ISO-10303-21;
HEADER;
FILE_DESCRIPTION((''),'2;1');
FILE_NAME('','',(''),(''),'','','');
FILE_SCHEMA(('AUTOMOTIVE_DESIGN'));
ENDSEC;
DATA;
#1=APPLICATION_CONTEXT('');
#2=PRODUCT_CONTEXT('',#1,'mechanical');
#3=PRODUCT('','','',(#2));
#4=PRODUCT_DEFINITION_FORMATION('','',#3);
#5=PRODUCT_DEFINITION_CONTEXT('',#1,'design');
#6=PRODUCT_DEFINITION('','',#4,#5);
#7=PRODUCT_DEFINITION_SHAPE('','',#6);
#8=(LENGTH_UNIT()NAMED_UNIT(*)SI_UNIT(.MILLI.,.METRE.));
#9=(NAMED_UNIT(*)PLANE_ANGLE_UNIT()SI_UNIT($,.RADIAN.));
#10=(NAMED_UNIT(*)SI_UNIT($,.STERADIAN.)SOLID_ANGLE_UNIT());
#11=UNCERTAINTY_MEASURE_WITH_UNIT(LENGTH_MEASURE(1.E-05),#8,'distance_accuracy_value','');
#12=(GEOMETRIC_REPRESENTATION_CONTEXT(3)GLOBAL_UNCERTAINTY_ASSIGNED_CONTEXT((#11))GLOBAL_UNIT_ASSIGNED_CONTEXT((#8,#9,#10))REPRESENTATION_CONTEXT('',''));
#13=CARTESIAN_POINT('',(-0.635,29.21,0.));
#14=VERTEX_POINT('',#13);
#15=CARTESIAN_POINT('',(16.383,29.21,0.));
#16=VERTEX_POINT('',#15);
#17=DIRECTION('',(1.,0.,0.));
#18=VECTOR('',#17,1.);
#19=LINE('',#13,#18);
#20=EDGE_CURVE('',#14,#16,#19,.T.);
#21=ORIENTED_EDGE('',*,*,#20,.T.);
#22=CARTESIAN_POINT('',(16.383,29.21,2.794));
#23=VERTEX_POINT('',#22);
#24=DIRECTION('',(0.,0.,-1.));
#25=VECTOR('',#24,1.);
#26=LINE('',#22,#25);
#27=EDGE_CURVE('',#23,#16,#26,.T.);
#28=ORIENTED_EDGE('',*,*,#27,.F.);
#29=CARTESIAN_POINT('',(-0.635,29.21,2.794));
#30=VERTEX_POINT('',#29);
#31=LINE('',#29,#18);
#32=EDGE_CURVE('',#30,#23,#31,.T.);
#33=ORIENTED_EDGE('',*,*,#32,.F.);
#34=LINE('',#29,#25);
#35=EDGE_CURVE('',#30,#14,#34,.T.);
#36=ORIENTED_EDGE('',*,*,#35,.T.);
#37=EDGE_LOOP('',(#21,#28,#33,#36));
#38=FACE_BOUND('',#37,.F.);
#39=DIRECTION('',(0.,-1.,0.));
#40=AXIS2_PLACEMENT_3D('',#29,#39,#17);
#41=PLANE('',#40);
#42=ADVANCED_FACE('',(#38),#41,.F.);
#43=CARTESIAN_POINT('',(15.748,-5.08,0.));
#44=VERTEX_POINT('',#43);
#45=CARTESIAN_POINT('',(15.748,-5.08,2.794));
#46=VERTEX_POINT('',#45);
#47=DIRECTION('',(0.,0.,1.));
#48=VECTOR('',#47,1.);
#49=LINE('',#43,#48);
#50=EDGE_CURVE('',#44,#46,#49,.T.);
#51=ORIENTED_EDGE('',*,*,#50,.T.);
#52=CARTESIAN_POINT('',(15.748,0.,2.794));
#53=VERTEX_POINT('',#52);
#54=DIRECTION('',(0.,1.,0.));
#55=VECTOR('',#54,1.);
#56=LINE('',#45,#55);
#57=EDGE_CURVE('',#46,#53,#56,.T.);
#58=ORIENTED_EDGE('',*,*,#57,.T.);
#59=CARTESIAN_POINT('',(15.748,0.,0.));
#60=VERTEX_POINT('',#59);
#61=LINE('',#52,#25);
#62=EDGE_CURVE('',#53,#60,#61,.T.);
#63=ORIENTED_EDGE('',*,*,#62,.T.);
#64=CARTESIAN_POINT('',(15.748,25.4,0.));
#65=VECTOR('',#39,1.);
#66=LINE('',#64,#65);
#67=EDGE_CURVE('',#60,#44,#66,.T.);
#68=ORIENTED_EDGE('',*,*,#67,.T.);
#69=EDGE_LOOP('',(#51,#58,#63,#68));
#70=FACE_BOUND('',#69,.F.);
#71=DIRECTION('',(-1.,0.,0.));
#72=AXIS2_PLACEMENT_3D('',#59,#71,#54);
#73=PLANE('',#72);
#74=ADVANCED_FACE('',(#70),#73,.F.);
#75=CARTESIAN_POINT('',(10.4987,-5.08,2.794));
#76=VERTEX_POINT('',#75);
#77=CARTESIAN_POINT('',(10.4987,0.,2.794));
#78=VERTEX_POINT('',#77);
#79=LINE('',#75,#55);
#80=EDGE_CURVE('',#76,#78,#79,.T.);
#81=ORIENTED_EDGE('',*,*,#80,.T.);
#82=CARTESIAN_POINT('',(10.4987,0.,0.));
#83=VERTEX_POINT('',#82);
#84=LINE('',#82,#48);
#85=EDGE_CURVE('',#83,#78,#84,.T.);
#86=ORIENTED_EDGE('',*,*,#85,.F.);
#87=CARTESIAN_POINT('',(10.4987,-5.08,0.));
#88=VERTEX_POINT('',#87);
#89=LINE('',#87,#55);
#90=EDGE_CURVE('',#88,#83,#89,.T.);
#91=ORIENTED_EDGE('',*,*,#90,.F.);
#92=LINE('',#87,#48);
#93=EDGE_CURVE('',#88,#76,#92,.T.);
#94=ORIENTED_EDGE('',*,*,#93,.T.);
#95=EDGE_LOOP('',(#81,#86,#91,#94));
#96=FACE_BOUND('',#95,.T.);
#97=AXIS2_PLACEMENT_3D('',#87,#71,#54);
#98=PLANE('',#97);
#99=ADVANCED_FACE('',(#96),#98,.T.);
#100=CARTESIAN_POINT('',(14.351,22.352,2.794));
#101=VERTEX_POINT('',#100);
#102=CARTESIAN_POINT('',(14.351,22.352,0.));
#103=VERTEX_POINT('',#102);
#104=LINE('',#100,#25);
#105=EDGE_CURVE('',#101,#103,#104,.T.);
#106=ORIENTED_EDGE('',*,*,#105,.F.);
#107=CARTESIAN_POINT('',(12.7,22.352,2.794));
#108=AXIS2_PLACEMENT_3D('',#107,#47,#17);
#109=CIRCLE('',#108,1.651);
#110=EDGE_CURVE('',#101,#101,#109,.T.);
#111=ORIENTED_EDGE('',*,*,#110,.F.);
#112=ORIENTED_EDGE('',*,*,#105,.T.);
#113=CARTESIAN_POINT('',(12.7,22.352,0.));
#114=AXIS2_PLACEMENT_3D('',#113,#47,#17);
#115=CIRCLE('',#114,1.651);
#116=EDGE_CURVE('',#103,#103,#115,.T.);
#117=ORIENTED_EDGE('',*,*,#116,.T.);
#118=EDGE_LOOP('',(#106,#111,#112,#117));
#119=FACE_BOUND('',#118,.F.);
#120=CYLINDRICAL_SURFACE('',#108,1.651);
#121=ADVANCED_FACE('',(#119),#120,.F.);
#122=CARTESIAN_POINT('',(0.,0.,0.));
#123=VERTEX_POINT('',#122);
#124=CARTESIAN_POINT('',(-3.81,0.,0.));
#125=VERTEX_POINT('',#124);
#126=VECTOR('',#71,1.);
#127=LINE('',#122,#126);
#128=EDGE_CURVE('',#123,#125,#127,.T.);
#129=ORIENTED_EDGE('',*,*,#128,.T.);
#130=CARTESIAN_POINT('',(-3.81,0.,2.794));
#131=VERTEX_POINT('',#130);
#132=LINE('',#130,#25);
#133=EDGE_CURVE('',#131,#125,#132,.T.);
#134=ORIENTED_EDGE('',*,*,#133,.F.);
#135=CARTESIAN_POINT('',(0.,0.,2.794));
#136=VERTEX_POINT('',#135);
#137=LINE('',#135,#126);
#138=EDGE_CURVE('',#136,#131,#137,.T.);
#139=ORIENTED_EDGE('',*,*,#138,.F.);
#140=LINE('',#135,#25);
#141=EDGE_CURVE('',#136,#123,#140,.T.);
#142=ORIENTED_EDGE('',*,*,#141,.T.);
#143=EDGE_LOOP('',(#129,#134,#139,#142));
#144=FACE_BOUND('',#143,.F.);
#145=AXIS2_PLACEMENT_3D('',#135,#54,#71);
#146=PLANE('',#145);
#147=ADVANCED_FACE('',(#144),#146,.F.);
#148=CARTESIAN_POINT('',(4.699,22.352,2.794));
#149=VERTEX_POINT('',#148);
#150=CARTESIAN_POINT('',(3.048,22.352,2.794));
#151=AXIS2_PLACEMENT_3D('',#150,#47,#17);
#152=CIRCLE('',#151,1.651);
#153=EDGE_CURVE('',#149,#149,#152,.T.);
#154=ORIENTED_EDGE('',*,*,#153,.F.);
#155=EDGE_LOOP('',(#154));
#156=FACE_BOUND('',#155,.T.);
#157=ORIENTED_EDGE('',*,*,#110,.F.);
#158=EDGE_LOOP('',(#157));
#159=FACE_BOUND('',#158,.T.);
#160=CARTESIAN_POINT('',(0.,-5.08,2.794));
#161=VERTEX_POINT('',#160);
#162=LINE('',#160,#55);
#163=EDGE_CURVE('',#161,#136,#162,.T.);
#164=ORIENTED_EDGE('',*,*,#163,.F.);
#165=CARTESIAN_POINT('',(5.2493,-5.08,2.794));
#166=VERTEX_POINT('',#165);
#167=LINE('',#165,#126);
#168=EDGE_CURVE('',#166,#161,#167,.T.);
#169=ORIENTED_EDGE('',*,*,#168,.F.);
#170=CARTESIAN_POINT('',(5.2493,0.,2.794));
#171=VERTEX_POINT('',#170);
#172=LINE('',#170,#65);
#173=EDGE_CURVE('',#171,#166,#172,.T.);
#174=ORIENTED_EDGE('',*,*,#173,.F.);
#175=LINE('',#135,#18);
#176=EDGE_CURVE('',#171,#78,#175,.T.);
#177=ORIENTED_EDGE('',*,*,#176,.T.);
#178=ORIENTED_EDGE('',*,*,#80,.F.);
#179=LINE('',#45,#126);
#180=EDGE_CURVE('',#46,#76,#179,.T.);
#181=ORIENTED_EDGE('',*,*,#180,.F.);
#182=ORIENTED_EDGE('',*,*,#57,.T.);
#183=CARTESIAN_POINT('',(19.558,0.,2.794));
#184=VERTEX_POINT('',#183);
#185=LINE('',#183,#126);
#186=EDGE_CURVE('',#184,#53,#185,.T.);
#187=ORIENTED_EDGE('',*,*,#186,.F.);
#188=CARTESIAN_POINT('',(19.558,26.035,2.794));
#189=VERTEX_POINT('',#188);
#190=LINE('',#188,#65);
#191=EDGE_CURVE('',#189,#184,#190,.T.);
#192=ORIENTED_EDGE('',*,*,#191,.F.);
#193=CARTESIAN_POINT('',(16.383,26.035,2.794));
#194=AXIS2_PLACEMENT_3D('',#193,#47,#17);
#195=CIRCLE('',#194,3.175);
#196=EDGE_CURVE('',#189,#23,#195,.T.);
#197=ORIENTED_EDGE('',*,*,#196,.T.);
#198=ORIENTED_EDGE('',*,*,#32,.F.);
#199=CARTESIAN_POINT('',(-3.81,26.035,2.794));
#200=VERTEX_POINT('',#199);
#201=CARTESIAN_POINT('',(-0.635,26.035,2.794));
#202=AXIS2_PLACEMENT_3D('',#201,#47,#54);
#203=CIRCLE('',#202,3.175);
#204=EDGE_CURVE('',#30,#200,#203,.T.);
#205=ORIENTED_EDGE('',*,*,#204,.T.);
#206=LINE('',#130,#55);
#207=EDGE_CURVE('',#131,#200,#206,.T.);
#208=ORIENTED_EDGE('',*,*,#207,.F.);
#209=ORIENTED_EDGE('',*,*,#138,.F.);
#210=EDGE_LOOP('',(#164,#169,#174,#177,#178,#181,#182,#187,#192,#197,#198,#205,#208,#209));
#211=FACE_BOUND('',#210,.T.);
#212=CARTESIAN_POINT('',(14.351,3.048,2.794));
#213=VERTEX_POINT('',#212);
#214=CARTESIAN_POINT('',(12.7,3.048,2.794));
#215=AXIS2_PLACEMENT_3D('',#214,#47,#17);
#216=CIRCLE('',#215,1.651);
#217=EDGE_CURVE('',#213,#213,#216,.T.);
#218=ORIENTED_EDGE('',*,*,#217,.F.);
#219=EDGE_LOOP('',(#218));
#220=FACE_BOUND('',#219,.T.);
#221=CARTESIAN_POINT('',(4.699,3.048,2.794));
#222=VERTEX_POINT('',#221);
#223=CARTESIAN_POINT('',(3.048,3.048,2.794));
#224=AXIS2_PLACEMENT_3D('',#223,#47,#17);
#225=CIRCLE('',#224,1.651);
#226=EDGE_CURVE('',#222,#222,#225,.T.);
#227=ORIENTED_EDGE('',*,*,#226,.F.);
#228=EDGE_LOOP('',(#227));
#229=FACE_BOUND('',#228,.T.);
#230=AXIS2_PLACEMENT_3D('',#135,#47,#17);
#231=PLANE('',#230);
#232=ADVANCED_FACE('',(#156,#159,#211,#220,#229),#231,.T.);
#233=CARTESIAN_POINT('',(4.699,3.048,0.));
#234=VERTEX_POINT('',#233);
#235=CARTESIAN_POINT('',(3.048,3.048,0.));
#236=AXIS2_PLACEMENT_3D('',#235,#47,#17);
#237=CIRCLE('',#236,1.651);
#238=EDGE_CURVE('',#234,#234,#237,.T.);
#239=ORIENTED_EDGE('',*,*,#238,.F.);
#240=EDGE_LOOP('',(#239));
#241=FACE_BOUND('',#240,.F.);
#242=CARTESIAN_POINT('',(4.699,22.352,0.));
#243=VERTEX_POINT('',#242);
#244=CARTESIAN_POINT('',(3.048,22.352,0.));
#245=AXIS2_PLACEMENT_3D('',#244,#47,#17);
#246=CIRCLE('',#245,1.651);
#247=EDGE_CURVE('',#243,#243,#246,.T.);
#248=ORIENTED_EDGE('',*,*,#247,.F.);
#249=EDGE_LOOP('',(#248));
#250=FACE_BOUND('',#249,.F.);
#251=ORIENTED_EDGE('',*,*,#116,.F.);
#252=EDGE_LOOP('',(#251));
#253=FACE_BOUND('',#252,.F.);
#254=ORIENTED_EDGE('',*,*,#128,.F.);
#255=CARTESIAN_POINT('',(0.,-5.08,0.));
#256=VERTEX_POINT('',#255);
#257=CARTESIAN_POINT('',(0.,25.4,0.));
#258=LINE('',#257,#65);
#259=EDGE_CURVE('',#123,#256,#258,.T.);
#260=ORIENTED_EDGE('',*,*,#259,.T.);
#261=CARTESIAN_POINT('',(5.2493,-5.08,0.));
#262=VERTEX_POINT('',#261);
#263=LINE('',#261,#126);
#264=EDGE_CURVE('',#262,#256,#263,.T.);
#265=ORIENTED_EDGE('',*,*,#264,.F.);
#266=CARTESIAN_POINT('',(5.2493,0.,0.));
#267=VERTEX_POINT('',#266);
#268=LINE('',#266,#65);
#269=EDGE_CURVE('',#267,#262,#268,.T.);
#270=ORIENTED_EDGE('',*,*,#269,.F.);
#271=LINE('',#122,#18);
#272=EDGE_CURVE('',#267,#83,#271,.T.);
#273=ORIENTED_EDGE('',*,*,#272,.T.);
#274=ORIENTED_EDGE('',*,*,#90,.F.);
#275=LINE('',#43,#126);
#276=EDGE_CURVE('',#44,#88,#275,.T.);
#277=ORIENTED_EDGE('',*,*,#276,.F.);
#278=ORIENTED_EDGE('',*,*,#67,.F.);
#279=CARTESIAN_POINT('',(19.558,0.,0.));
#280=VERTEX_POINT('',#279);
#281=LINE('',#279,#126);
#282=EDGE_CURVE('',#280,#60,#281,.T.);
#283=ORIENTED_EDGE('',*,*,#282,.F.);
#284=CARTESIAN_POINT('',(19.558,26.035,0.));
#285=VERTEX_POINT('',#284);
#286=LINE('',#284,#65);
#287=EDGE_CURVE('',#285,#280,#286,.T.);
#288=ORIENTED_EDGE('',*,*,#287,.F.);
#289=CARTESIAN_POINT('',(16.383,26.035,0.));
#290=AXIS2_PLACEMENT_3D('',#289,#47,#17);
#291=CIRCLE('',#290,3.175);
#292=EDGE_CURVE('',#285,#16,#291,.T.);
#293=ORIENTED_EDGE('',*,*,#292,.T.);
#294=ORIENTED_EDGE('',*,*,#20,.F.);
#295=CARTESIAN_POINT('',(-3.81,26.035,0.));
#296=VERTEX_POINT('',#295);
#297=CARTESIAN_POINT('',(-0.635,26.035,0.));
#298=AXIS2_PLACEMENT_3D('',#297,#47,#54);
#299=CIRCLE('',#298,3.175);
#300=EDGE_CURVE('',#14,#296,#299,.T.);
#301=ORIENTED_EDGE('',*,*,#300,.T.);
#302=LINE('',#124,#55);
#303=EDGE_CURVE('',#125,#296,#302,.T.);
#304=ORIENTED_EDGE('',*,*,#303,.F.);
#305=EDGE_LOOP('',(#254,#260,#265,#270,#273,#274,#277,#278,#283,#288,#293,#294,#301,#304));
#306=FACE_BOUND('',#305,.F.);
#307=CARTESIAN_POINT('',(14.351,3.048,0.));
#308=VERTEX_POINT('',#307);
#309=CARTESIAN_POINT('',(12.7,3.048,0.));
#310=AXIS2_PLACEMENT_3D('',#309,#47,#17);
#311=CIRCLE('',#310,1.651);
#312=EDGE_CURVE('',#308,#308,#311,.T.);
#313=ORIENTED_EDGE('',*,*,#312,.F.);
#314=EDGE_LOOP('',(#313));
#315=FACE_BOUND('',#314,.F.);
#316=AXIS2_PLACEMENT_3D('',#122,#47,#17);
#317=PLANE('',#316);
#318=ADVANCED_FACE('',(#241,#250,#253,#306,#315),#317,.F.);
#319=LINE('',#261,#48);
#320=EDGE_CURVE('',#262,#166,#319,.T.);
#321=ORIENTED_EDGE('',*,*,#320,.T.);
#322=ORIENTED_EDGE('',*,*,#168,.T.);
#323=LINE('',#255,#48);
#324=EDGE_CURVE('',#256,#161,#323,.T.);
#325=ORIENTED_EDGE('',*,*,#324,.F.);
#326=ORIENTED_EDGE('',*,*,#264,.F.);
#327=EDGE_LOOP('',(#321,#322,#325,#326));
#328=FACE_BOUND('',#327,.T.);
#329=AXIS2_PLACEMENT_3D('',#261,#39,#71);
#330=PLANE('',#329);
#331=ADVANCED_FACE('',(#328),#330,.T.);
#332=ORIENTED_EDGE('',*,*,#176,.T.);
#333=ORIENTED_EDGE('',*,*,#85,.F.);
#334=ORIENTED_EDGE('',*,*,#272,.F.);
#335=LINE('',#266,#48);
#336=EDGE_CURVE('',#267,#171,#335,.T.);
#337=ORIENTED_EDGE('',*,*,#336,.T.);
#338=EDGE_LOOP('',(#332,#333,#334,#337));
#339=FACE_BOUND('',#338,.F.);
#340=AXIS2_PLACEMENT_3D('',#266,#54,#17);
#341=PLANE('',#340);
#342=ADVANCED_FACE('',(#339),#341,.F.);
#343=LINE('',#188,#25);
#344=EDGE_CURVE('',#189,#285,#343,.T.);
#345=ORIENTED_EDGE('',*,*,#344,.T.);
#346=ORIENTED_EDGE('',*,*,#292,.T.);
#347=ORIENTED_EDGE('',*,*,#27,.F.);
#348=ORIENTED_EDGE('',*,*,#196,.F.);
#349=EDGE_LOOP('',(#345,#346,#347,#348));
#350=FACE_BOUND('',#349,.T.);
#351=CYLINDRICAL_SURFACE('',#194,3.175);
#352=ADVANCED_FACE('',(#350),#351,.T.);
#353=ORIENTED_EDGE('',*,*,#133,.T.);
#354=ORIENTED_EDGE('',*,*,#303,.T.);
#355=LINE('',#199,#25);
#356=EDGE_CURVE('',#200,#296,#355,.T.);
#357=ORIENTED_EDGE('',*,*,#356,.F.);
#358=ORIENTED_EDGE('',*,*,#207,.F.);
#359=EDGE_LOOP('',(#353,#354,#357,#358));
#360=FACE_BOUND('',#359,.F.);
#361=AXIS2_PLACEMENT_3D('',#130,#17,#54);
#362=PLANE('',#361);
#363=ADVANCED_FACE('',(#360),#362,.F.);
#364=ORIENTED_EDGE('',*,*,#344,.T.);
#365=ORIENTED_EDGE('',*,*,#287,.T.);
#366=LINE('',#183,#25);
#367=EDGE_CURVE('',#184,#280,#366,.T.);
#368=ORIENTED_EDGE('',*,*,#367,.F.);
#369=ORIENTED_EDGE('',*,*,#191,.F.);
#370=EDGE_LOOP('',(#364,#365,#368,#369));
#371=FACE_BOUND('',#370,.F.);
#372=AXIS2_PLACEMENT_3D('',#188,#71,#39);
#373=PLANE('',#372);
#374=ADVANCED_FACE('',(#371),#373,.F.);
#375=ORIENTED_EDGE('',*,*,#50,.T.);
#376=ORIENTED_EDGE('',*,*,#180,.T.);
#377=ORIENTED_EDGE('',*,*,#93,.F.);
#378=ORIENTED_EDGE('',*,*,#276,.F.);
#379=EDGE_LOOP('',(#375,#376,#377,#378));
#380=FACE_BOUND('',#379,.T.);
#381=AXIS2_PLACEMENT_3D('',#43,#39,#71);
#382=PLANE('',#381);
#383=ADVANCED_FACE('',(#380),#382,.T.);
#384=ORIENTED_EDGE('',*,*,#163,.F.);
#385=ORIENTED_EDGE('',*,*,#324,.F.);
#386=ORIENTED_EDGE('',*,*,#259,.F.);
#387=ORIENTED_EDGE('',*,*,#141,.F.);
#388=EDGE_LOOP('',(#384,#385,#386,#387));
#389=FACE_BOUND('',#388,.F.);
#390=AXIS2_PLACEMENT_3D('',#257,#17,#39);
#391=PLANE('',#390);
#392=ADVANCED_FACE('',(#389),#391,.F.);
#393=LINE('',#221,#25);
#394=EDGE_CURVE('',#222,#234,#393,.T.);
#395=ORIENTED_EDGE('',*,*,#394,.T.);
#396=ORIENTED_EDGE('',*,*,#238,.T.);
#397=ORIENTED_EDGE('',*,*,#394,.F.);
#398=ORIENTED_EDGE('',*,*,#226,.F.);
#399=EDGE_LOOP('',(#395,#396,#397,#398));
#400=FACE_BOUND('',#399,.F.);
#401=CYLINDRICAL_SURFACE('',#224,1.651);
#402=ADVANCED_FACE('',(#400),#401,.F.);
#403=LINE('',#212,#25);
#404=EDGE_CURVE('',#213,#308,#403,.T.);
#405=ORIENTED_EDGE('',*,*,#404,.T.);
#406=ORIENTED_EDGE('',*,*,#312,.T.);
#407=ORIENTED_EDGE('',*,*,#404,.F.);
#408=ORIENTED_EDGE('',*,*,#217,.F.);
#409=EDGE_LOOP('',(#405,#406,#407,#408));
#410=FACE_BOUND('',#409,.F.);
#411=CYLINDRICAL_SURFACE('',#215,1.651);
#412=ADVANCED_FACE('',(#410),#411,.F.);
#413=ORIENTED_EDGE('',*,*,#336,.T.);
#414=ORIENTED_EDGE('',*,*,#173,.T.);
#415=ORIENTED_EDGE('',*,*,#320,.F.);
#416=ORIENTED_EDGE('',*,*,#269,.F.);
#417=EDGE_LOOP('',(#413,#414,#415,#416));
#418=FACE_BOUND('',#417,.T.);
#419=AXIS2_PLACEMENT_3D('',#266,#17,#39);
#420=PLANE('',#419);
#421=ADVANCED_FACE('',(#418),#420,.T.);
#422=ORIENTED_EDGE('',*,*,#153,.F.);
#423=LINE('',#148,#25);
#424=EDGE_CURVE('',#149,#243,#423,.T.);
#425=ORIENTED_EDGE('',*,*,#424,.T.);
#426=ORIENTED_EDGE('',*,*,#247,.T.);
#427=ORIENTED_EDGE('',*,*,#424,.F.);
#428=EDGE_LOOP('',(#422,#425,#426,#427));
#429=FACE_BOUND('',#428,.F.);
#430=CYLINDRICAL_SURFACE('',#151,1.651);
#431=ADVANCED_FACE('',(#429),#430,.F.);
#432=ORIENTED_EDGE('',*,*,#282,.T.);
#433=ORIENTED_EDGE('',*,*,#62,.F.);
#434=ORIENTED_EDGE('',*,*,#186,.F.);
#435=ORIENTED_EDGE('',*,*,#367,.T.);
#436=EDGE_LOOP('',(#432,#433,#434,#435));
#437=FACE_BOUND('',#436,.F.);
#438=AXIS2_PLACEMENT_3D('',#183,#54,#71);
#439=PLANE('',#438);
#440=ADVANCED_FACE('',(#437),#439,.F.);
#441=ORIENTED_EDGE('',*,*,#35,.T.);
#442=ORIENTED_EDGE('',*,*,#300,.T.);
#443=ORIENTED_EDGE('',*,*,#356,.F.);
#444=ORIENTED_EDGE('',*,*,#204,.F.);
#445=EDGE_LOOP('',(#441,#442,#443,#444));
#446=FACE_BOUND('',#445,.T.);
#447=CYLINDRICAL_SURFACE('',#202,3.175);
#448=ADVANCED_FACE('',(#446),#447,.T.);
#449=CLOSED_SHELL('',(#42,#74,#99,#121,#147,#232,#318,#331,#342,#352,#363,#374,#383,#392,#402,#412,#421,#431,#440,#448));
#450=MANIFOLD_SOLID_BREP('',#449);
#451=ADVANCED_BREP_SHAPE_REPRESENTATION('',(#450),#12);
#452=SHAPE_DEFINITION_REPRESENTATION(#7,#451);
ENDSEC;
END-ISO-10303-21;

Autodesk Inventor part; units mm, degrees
ref_plane "YZ Plane" through (0, 0, 0) normal (1, 0, 0) x (0, 1, 0)
ref_plane "XZ Plane" through (0, 0, 0) normal (0, 1, 0) x (-1, 0, 0)
ref_plane "XY Plane" through (0, 0, 0) normal (0, 0, 1) x (1, 0, 0)
sketch "Sketch1" plane through (0, 0, 0) normal (0, 0, 1) x (1, 0, 0)
  line L0 (0, 0) -> (15.748, 0)
  line L1 (15.748, 0) -> (15.748, 25.4)
  line L2 (15.748, 25.4) -> (0, 25.4)
  line L3 (0, 25.4) -> (0, 0)
  line L4 (0, 0) -> (5.2493, 0)
  line L5 (5.2493, 0) -> (5.2493, -5.08)
  line L6 (5.2493, -5.08) -> (0, -5.08)
  line L7 (0, -5.08) -> (0, 0)
  line L8 (10.4987, 0) -> (15.748, 0)
  line L9 (15.748, 0) -> (15.748, -5.08)
  line L10 (15.748, -5.08) -> (10.4987, -5.08)
  line L11 (10.4987, -5.08) -> (10.4987, 0)
  dimension "d0" = 25.4
  dimension "d1" = 15.748
  dimension "d2" = 5.2493
  dimension "d3" = 5.08
  dimension "d4" = 0
  dimension "d5" = 5.2493
extrude "Extrusion1" add sketch "Sketch1" along normal blind 2.794
sketch "Sketch2" plane through (0, 0, 2.794) normal (0, 0, 1) x (1, 0, 0)
  circle A0 centre (3.048, 22.352) radius 1.651 projected
  circle A1 centre (12.7, 3.048) radius 1.651 projected
  line L0 (10.4987, 0) -> (10.4987, -5.08) projected
  line L1 (10.4987, -5.08) -> (15.748, -5.08) projected
  line L2 (15.748, -5.08) -> (15.748, 25.4) projected
  line L3 (15.748, 25.4) -> (0, 25.4) projected
  line L4 (0, 25.4) -> (0, -5.08) projected
  line L5 (0, -5.08) -> (5.2493, -5.08) projected
  line L6 (5.2493, -5.08) -> (5.2493, 0) projected
  line L7 (5.2493, 0) -> (10.4987, 0) projected
  line L8 (5.2493, 0) -> (10.4987, 0) construction
  line L9 (7.874, 0) -> (7.874, 25.4) construction
  line L10 (7.874, 12.7) -> (15.748, 12.7) construction
  circle A2 centre (12.7, 22.352) radius 1.651
  circle A3 centre (3.048, 3.048) radius 1.651
  point P0 (0, 0)
extrude "Extrusion2" cut sketch "Sketch2" against normal blind 25.4 contours A0 | A1 | A2 | A3
sketch "Sketch3" plane through (0, 0, 2.794) normal (0, 0, 1) x (1, 0, 0)
  circle A0 centre (12.7, 22.352) radius 1.651 projected
  circle A1 centre (3.048, 22.352) radius 1.651 projected
  circle A2 centre (12.7, 3.048) radius 1.651 projected
  circle A3 centre (3.048, 3.048) radius 1.651 projected
  line L0 (10.4987, 0) -> (10.4987, -5.08) projected
  line L1 (10.4987, -5.08) -> (15.748, -5.08) projected
  line L2 (15.748, -5.08) -> (15.748, 25.4) projected
  line L3 (15.748, 25.4) -> (0, 25.4) projected
  line L4 (0, 25.4) -> (0, -5.08) projected
  line L5 (0, -5.08) -> (5.2493, -5.08) projected
  line L6 (5.2493, -5.08) -> (5.2493, 0) projected
  line L7 (5.2493, 0) -> (10.4987, 0) projected
  line L8 (0, 0) -> (-3.81, 0)
  line L9 (-3.81, 0) -> (-3.81, 26.035)
  line L10 (-0.635, 29.21) -> (16.383, 29.21)
  line L11 (19.558, 26.035) -> (19.558, 0)
  line L12 (19.558, 0) -> (15.748, 0)
  arc A4 (-0.635, 29.21) -> (-3.81, 26.035) centre (-0.635, 26.035) ccw
  arc A5 (19.558, 26.035) -> (16.383, 29.21) centre (16.383, 26.035) ccw
  line L13 (0, 0) -> (0, 25.4)
  line L14 (15.748, 25.4) -> (0, 25.4) projected
  line L15 (0, 25.4) -> (15.748, 25.4)
  line L16 (15.748, 25.4) -> (15.748, 0)
  dimension "d10" = 3.81
  dimension "d11" = 3.81
  dimension "d12" = 3.81
  dimension "d13" = 3.175
extrude "Extrusion3" add sketch "Sketch3" against normal blind 2.794 contours L2 L3 L4 L8 L9 A4 L10 A5 L11 L12
equation "\"d2\" = 0.333333 * d1"
equation "\"d5\" = d2"
equation "\"d11\" = d10"
equation "\"d12\" = d11"
properties part number "LimitSwitchMount" material "Polycarbonate, Smoke"
